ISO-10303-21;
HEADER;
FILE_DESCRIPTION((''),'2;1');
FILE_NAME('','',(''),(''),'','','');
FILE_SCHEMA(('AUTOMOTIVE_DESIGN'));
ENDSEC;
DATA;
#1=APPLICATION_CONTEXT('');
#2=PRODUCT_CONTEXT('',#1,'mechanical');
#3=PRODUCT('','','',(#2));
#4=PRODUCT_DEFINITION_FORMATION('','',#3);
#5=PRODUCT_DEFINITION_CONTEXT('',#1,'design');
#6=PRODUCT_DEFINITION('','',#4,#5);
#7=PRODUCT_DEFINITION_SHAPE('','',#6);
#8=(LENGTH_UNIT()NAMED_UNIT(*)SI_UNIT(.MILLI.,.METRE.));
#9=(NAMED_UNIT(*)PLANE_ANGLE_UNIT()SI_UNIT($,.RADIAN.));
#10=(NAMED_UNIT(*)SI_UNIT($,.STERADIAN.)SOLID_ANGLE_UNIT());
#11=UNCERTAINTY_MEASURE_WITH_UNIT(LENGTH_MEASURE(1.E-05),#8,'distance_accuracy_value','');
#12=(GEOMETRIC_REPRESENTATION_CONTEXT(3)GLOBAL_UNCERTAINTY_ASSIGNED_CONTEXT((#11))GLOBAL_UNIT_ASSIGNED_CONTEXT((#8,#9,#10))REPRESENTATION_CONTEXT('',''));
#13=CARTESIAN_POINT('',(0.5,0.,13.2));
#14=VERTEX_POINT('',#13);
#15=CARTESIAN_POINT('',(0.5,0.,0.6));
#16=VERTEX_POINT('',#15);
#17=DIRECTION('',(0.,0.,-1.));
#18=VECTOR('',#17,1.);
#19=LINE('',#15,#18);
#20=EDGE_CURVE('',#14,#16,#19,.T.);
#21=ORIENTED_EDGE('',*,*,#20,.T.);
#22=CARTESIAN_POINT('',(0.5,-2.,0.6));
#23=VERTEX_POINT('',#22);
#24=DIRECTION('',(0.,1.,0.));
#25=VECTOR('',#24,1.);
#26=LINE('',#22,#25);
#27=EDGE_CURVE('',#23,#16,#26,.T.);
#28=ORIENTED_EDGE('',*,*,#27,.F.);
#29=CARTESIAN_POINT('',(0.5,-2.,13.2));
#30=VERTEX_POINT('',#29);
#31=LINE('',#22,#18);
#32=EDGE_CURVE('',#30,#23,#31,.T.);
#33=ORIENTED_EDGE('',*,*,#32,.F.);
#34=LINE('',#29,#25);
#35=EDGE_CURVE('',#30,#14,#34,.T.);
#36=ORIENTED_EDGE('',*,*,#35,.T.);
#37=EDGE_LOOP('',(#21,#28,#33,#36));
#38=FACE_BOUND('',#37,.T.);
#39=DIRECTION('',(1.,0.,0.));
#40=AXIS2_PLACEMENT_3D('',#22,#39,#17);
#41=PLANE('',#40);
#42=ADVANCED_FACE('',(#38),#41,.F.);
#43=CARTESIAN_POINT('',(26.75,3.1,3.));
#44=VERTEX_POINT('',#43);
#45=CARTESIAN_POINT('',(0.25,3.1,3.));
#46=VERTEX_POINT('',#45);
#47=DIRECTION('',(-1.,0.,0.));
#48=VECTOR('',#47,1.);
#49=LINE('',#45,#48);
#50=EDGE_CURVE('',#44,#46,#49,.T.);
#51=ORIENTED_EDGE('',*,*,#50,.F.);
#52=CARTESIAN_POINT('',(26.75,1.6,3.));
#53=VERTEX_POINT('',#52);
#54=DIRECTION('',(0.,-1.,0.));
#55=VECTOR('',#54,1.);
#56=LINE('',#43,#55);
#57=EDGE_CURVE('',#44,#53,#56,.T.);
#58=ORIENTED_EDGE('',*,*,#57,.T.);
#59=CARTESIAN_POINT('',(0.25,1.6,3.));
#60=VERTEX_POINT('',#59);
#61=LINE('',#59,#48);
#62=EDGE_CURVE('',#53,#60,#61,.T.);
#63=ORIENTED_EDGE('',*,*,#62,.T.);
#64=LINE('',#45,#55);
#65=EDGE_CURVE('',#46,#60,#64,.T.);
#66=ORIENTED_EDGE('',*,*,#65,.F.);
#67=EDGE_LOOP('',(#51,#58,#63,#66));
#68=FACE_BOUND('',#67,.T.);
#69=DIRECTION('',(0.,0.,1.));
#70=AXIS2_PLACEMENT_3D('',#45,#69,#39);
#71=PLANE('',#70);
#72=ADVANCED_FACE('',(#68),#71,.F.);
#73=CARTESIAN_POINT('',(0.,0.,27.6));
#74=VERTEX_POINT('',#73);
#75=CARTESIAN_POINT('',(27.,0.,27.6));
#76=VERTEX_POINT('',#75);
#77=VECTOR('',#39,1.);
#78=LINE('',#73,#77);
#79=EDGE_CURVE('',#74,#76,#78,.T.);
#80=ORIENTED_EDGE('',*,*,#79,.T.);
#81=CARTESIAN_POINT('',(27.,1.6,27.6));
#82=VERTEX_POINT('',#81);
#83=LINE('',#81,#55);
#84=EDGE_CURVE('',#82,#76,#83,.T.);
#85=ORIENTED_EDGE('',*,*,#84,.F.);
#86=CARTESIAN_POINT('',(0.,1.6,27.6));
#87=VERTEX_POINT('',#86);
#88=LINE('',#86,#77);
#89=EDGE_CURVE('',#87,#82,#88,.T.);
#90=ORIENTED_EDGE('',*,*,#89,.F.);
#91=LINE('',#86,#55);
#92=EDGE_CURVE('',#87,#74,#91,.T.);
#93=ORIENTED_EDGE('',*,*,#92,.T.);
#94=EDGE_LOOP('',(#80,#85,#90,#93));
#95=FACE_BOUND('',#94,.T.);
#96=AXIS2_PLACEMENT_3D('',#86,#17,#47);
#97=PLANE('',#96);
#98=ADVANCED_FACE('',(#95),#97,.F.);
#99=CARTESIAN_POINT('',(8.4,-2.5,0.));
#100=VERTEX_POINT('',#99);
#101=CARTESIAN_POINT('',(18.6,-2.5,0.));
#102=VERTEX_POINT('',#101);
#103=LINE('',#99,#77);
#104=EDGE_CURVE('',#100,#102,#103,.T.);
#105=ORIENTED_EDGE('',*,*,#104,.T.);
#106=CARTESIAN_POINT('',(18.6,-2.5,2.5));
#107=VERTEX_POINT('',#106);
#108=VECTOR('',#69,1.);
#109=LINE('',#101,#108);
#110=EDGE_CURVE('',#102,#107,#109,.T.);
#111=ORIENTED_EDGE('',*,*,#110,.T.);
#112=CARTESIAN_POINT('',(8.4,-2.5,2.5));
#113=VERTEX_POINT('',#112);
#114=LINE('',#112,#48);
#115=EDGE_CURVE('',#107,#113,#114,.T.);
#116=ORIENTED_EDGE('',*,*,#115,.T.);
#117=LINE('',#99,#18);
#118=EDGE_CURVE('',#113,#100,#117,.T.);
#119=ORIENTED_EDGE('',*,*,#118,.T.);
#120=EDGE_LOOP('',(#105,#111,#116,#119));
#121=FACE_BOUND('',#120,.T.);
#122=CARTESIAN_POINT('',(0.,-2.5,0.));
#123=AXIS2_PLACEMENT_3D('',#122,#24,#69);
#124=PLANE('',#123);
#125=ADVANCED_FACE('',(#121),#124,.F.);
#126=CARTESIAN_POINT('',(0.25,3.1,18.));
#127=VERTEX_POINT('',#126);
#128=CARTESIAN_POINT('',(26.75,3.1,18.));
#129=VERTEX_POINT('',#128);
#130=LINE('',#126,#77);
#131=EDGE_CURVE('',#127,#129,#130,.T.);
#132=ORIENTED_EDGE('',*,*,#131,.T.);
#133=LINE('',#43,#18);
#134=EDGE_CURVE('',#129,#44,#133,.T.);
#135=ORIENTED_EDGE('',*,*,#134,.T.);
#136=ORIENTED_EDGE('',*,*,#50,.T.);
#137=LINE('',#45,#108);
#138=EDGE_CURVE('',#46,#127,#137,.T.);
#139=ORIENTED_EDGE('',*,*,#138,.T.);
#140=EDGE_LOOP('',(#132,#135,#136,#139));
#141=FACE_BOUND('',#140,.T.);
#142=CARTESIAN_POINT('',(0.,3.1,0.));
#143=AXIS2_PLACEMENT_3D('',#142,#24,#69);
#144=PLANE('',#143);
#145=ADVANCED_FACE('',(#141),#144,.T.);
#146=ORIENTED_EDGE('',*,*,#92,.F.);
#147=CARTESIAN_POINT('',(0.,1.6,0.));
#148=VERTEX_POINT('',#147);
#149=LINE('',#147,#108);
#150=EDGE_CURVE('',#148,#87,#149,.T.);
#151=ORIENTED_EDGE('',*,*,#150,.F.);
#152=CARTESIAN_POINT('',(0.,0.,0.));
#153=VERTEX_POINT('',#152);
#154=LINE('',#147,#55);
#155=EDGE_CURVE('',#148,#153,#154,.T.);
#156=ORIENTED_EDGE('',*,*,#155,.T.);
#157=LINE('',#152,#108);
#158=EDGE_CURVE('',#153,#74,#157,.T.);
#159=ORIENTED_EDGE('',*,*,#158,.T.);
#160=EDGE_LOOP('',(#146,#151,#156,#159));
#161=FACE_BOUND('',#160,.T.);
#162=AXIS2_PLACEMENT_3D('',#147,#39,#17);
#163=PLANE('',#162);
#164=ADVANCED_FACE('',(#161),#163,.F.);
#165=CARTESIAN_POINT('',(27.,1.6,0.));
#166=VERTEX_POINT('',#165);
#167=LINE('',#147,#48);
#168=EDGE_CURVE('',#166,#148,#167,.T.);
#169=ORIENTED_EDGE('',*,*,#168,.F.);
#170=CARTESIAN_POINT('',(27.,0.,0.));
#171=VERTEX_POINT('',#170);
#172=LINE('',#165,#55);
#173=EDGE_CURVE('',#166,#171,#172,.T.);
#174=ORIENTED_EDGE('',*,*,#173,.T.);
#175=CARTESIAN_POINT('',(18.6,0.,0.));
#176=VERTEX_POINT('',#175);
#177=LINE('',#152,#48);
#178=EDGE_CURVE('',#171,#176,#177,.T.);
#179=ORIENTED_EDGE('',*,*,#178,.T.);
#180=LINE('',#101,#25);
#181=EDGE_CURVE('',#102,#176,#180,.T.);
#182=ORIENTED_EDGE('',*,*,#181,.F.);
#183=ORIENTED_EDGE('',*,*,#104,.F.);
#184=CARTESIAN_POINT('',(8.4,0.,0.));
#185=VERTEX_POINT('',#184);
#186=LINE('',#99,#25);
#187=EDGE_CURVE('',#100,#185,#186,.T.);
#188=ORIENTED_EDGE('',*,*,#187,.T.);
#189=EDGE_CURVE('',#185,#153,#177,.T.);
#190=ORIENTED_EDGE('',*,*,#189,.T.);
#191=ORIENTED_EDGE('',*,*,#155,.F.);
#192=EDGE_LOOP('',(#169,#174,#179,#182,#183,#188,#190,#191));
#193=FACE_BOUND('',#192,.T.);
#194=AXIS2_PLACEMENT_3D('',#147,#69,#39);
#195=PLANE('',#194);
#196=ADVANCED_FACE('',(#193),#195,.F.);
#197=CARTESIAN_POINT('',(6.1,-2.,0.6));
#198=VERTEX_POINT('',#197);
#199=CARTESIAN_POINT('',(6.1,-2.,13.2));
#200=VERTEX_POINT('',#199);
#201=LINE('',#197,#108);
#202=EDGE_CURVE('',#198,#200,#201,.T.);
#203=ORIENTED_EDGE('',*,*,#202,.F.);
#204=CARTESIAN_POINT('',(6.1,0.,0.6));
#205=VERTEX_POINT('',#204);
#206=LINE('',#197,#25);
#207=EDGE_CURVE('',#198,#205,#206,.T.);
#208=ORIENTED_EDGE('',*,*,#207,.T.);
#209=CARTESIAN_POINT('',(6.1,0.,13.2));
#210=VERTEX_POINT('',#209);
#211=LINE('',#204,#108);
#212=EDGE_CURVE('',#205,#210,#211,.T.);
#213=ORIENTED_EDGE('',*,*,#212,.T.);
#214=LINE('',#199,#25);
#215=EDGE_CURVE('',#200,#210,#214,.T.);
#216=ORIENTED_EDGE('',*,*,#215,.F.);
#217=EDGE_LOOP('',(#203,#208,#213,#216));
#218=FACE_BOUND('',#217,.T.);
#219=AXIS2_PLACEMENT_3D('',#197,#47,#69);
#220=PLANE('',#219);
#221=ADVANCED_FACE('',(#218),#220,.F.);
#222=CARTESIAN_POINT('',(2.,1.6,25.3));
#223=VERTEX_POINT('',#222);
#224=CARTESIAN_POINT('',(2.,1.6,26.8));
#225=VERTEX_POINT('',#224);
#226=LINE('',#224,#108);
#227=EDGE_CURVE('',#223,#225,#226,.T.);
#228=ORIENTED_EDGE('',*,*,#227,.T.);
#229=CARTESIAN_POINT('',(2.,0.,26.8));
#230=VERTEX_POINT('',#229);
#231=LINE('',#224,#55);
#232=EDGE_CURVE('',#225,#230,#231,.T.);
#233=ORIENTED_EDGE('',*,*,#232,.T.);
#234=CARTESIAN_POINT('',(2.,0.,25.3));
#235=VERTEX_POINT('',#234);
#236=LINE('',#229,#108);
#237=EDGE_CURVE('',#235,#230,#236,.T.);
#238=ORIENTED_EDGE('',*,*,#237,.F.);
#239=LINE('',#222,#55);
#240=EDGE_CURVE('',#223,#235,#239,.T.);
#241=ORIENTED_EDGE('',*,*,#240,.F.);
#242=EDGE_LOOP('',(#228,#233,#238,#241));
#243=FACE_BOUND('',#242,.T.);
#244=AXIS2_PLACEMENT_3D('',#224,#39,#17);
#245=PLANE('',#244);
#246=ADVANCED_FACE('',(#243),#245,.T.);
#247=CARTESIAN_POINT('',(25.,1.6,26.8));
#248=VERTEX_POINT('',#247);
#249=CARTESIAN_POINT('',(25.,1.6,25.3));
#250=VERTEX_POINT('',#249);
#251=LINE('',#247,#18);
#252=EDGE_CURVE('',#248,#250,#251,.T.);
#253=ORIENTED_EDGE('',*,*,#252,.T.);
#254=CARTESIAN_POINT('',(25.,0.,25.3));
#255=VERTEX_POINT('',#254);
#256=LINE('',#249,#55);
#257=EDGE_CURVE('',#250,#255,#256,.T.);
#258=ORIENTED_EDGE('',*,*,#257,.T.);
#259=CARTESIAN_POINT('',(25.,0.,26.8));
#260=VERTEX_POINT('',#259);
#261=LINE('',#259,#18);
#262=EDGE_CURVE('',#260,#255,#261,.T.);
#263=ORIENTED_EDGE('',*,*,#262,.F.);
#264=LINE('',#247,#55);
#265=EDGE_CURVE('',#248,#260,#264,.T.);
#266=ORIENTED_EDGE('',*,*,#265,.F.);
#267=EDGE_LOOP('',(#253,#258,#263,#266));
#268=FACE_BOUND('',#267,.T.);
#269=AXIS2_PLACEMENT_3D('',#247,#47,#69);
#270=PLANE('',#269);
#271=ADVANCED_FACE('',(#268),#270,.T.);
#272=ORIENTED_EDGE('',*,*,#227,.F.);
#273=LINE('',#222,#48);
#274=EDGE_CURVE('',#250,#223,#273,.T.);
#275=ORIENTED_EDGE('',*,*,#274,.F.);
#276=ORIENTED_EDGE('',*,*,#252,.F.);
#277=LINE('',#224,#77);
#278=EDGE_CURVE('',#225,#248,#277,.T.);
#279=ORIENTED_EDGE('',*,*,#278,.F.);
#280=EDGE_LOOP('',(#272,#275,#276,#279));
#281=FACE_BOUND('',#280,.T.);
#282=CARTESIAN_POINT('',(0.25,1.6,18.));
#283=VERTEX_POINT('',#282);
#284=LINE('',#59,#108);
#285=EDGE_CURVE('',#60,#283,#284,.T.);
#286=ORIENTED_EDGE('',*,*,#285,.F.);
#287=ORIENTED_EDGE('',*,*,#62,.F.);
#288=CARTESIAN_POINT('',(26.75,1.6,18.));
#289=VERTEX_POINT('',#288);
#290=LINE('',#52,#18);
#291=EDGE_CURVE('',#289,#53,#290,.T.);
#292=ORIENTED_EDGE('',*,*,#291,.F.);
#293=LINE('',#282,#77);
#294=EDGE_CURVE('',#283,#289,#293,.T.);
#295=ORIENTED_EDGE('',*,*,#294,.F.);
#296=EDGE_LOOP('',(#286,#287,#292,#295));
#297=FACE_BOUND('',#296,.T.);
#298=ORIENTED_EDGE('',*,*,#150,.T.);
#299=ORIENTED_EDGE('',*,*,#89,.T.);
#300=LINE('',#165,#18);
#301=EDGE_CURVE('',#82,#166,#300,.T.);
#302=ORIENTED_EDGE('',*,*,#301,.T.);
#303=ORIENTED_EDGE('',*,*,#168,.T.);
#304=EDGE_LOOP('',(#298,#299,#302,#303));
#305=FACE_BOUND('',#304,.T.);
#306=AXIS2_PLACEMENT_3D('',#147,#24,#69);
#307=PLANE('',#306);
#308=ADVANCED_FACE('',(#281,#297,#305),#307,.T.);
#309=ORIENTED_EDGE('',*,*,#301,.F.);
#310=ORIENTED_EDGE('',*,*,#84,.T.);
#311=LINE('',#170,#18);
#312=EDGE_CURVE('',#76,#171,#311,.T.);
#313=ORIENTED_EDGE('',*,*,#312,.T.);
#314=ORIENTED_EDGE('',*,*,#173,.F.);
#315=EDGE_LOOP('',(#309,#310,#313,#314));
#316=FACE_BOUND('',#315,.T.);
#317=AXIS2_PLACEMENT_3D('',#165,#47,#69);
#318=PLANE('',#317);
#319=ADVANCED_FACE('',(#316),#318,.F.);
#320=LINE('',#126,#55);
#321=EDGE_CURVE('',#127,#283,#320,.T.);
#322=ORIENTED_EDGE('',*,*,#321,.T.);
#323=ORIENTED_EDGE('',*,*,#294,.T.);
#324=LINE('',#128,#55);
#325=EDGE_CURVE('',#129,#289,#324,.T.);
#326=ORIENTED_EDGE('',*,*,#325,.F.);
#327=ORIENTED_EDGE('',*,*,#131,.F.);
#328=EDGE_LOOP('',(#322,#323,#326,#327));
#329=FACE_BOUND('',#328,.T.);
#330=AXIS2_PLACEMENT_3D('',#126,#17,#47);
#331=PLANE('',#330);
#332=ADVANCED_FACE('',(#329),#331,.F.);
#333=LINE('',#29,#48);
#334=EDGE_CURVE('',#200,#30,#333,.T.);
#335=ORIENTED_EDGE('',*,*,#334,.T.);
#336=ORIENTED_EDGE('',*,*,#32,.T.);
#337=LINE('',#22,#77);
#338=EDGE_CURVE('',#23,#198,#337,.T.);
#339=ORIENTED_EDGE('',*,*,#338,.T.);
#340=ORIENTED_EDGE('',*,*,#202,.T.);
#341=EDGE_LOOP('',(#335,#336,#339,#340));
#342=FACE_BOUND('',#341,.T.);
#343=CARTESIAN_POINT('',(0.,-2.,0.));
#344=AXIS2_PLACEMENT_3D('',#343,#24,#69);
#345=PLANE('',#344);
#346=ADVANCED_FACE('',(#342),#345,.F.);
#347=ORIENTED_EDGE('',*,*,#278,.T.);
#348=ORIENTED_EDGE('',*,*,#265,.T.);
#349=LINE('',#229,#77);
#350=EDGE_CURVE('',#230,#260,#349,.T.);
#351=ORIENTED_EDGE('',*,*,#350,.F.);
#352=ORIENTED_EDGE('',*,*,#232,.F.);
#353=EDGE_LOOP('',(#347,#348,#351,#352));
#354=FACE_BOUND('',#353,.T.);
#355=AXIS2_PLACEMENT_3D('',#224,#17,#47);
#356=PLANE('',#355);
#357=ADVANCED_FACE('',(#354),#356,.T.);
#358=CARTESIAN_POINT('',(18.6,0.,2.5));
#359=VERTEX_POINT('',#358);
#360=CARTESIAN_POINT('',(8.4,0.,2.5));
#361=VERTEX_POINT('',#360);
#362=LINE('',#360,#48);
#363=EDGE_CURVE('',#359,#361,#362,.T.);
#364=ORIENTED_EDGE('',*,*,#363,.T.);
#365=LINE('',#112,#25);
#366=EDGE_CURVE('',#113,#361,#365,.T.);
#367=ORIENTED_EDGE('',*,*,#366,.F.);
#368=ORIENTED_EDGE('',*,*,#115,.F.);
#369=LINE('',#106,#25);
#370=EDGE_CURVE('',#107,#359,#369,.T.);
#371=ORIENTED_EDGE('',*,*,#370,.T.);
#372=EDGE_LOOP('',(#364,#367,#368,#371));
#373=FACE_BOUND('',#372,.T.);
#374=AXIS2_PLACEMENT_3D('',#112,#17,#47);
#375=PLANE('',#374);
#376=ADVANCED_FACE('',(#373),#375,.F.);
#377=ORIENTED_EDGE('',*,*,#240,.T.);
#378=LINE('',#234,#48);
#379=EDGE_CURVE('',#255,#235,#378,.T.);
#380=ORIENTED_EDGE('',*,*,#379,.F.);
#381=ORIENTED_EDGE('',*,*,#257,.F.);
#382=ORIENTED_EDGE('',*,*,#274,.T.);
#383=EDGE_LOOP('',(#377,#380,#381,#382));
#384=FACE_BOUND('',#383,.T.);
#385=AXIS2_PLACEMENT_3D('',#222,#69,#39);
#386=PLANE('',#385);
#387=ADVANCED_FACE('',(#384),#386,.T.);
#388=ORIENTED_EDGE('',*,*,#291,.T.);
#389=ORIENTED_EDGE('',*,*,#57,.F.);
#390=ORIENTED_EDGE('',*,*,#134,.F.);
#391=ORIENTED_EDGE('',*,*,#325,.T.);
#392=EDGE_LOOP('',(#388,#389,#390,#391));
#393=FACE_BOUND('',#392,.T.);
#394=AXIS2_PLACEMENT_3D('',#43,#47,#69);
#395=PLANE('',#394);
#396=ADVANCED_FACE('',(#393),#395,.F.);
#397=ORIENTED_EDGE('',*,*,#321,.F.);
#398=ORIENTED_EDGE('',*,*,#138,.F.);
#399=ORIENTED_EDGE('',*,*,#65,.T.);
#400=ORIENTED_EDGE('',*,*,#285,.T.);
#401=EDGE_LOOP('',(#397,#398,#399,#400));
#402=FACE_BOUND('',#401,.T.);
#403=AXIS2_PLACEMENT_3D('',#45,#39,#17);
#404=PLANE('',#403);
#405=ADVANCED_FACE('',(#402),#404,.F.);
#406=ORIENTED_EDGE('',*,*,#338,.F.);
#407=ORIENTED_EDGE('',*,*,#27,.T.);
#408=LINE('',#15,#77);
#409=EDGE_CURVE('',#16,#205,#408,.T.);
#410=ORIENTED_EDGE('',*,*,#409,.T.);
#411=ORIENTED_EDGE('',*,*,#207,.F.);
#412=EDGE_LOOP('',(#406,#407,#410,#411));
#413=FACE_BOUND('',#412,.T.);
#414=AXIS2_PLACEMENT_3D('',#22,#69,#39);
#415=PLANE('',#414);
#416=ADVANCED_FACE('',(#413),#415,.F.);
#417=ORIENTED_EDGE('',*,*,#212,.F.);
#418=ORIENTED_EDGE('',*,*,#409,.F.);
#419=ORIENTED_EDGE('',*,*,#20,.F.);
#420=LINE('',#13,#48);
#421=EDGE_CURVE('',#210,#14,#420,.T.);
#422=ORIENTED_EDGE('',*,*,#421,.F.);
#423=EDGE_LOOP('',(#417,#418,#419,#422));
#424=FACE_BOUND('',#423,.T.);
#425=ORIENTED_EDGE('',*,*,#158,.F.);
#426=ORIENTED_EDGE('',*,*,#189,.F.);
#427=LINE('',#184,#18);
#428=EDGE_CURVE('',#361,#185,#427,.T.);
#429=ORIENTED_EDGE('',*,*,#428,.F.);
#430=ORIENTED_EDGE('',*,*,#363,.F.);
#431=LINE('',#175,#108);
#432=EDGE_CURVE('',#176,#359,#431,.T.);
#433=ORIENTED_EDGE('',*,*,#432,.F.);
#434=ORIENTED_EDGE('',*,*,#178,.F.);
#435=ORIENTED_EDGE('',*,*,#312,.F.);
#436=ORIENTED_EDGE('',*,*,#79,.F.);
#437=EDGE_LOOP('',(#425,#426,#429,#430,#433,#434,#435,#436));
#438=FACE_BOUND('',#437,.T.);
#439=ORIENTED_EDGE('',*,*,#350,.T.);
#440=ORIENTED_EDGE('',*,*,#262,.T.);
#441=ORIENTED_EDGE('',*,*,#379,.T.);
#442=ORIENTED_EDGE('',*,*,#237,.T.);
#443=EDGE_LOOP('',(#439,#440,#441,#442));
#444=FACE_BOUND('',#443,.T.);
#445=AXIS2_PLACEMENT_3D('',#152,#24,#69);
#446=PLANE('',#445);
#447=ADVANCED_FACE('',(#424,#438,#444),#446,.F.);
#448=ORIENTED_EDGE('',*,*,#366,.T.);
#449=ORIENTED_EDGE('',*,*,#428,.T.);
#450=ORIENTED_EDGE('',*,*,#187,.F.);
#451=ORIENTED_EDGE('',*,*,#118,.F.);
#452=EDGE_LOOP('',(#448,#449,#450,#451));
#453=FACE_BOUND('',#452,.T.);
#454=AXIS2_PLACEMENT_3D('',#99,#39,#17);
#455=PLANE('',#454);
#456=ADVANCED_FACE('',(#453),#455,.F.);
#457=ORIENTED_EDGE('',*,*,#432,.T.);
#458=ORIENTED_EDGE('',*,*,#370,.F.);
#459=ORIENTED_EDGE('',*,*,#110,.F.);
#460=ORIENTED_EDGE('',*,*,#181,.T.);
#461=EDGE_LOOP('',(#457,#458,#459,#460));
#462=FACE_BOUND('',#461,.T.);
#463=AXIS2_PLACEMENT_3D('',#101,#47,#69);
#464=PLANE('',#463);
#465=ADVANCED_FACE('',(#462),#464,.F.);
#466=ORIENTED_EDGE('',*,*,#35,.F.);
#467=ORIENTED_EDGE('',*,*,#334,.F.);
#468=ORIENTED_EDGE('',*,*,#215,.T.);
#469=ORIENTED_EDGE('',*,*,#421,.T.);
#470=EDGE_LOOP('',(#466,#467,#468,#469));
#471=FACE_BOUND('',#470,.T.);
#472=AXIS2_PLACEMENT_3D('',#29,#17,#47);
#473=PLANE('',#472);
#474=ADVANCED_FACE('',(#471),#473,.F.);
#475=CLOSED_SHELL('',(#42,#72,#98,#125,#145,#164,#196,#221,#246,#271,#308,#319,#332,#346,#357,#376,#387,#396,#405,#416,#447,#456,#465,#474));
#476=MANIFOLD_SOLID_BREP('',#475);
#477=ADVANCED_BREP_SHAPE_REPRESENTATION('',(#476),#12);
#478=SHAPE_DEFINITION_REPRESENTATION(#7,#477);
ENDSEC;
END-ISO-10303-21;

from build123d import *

# Parameters (mm, degrees)
SKETCH_1_W      = 27
SKETCH_1_H      = 27.6
SKETCH_1_W_2    = 23
SKETCH_1_H_2    = 1.5
EXTRUDE_1_DEPTH = 1.6
SKETCH_2_W      = 26.5
SKETCH_2_H      = 15
EXTRUDE_2_DEPTH = 1.5
SKETCH_3_W      = 5.6
SKETCH_3_H      = 12.6
EXTRUDE_3_DEPTH = 2
SKETCH_4_W      = 10.2
SKETCH_4_H      = 2.5
EXTRUDE_4_DEPTH = 2.5


with BuildPart() as part:
    # 草图1 → 凸台-拉伸1 (new body)
    with BuildSketch(Plane(origin=(0, 0, 0), x_dir=(1, 0, 0), z_dir=(0, 1, 0))):
        with Locations((13.5, -13.8)):
            Rectangle(SKETCH_1_W, SKETCH_1_H)
        with Locations((13.5, -26.05)):
            Rectangle(SKETCH_1_W_2, SKETCH_1_H_2, mode=Mode.SUBTRACT)
    extrude(amount=EXTRUDE_1_DEPTH)

    # 草图2 → 凸台-拉伸2 (add)
    with BuildSketch(Plane(origin=(0, 1.6, 0), x_dir=(1, 0, 0), z_dir=(0, 1, 0))):
        with Locations((13.5, -10.5)):
            Rectangle(SKETCH_2_W, SKETCH_2_H)
    extrude(amount=EXTRUDE_2_DEPTH)

    # 草图3 → 凸台-拉伸3 (add)
    with BuildSketch(Plane.XZ):
        with Locations((3.3, 6.9)):
            Rectangle(SKETCH_3_W, SKETCH_3_H)
    extrude(amount=EXTRUDE_3_DEPTH)

    # 草图4 → 凸台-拉伸4 (add)
    with BuildSketch(Plane.XZ):
        with Locations((13.5, 1.25)):
            Rectangle(SKETCH_4_W, SKETCH_4_H)
    extrude(amount=EXTRUDE_4_DEPTH)


solid = part.part
